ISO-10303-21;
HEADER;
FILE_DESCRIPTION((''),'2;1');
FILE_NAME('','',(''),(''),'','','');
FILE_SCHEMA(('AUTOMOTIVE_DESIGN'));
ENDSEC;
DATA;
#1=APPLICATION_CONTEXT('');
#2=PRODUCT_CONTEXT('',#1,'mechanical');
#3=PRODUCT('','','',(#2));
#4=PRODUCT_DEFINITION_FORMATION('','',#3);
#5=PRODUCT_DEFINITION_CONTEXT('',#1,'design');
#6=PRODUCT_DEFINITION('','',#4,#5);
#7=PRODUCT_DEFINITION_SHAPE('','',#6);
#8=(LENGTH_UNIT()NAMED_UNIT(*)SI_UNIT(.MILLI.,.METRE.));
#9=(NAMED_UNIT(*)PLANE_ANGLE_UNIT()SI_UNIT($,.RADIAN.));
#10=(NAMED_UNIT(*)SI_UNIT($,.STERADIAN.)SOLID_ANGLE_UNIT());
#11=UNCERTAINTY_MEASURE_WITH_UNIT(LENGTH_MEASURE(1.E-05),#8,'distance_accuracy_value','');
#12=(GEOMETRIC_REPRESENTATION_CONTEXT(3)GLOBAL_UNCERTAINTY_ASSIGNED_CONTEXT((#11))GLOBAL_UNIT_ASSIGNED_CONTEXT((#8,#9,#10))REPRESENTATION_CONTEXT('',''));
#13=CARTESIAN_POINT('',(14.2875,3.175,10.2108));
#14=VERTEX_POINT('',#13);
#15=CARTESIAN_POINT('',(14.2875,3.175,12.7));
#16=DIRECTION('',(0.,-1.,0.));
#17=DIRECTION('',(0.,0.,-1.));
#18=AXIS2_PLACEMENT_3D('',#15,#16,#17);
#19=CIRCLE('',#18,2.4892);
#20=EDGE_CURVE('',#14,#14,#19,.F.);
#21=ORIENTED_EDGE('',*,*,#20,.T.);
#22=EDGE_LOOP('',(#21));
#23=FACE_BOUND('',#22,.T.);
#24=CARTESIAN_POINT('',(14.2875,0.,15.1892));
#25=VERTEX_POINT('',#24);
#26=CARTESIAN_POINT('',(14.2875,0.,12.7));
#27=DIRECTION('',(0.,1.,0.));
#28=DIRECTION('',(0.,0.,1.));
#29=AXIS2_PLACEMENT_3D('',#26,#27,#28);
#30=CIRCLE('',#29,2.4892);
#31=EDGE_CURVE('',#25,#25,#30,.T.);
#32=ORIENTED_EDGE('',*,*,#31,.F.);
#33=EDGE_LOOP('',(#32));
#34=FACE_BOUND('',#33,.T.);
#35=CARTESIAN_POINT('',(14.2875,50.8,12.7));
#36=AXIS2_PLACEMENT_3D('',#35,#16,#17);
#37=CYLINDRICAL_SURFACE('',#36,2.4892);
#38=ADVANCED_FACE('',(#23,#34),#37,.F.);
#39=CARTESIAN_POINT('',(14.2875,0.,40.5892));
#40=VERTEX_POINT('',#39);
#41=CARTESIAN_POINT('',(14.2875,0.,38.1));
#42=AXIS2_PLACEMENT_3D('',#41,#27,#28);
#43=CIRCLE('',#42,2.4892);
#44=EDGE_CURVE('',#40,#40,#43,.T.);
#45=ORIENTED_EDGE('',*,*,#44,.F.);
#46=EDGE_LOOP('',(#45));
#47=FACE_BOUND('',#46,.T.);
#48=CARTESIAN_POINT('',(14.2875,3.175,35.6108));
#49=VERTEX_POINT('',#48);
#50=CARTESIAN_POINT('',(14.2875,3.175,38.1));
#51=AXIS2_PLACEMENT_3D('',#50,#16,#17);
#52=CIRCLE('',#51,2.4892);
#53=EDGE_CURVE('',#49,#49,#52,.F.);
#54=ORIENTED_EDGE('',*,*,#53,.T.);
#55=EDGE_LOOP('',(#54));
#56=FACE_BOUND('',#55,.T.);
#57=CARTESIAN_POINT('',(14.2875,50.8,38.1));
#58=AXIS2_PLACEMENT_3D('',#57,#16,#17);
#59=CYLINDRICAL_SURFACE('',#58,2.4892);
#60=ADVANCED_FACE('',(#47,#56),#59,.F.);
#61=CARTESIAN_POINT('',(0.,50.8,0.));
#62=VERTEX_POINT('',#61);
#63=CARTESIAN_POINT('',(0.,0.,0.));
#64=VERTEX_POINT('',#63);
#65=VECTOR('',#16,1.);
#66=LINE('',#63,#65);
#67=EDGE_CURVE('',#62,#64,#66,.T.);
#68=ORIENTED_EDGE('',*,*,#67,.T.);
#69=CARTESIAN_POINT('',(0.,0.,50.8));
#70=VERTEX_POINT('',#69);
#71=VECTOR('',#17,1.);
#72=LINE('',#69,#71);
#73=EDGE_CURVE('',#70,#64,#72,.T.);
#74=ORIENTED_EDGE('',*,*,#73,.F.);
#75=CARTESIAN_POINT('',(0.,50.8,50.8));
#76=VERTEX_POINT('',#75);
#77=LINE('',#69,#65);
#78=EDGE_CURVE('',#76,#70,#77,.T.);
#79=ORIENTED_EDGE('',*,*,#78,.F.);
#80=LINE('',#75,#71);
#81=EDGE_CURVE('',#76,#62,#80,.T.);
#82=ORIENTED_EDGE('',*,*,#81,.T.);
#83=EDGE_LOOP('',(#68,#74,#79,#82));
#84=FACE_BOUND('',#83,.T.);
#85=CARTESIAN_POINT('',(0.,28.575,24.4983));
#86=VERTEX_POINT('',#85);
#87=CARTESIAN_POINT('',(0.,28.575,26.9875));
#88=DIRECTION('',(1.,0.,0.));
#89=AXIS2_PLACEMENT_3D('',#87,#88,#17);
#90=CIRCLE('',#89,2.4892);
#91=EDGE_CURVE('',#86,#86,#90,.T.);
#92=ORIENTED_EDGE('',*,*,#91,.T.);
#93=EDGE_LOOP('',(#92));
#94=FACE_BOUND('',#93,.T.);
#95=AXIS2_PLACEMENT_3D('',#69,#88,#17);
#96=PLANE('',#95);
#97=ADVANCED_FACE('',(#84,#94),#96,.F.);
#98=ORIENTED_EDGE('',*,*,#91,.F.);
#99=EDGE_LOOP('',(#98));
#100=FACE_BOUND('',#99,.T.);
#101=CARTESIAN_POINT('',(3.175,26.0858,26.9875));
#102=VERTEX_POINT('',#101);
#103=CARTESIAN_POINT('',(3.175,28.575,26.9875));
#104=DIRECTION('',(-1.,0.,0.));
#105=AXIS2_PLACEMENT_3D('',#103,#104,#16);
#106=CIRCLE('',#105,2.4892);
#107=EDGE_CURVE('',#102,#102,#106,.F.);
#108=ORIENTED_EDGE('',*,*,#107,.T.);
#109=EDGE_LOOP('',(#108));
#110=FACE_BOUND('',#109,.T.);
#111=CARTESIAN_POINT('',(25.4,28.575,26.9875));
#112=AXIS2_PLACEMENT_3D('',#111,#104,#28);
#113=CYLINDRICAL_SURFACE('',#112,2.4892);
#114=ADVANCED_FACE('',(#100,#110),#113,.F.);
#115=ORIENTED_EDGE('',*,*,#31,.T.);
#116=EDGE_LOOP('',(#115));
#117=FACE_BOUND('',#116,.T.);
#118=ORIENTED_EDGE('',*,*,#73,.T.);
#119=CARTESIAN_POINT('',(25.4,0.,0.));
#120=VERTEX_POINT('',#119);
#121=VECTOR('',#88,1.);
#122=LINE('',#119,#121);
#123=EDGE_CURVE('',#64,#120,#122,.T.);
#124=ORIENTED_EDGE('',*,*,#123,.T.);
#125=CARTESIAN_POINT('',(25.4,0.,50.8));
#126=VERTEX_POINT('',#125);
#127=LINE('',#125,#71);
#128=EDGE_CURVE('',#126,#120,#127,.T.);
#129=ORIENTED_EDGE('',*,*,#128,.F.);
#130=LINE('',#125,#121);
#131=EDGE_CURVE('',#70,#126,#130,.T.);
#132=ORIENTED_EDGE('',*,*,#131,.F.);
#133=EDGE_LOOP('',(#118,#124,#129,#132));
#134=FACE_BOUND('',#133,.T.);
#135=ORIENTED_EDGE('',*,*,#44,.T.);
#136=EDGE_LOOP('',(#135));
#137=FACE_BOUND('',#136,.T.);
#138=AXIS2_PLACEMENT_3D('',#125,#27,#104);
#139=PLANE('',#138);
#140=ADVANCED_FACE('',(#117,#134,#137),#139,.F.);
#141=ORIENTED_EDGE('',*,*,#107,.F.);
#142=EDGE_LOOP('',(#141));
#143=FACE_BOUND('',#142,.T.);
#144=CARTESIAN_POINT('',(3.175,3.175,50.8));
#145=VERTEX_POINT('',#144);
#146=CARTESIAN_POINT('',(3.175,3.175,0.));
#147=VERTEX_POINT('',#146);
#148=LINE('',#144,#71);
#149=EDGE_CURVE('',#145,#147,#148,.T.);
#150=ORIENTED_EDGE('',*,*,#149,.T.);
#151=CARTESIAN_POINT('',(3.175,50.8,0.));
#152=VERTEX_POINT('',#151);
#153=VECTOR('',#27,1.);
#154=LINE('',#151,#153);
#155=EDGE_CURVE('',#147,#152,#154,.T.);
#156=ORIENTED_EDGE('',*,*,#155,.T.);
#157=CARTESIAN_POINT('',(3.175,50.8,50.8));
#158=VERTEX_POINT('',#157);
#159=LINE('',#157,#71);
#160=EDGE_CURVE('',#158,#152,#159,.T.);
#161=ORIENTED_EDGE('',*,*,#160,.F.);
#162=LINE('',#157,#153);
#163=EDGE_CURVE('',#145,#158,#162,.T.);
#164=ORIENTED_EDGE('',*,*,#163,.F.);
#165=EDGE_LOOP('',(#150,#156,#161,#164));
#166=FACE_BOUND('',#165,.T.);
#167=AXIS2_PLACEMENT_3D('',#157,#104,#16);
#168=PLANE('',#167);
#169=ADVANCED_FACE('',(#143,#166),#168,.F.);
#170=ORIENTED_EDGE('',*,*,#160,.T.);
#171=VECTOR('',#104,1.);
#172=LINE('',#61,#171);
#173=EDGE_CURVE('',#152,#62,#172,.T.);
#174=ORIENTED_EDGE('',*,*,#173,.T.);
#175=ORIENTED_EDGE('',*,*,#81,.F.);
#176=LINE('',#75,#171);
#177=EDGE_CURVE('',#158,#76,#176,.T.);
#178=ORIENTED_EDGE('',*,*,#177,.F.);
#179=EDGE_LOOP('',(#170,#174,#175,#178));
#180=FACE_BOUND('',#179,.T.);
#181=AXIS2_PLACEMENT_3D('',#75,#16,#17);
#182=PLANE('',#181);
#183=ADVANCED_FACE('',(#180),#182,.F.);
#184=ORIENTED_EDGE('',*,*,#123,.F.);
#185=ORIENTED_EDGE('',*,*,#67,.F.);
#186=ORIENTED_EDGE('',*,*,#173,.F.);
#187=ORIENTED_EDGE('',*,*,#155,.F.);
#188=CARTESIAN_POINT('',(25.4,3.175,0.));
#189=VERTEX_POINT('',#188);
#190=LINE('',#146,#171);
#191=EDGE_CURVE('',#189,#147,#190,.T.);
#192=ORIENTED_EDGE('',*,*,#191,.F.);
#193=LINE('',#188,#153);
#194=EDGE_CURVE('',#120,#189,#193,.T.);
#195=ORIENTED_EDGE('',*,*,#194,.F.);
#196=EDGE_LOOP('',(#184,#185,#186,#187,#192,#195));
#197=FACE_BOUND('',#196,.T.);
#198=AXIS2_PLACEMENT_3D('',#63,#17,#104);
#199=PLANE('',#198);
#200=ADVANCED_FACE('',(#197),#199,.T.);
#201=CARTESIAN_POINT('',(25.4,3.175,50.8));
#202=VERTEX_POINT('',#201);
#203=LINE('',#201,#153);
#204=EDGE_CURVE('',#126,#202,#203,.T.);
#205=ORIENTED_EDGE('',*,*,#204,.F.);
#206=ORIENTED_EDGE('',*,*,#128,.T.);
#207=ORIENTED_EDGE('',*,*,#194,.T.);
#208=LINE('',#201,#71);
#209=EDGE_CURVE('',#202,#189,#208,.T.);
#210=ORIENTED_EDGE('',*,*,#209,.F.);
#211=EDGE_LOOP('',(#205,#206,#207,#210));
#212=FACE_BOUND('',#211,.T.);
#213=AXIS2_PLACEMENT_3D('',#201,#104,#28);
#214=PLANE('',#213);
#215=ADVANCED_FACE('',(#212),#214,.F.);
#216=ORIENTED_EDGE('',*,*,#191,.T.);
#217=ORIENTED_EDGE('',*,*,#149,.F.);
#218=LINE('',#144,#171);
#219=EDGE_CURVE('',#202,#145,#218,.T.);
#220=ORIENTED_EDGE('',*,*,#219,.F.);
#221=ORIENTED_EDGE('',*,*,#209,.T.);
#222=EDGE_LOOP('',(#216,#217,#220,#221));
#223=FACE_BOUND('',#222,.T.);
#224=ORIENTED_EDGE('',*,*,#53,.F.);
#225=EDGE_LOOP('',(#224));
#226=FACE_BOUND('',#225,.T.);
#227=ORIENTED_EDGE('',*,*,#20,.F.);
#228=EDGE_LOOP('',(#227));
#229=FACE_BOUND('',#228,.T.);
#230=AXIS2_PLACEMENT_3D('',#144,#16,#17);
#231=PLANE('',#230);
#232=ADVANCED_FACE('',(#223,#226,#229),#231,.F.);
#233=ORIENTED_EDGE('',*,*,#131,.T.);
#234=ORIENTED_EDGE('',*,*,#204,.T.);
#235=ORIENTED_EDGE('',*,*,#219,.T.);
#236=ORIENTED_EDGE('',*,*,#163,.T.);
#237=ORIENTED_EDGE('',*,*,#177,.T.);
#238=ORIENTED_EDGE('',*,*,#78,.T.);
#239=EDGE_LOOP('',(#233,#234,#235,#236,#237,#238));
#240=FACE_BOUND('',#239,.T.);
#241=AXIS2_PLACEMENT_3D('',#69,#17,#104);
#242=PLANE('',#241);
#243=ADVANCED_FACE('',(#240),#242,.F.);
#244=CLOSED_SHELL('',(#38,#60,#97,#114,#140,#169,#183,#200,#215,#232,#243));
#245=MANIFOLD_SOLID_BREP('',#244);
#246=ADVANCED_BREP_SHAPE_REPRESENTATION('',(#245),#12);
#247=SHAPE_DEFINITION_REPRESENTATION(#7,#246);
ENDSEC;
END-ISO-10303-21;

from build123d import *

# Parameters (mm, degrees)
BOSS_EXTRUDE1_DEPTH = 50.8
SKETCH2_R           = 2.4892
CUT_EXTRUDE1_DEPTH  = 77.2
SKETCH3_R           = 2.4892
CUT_EXTRUDE2_DEPTH  = 77.2


with BuildPart() as part:
    # Sketch1 → Boss-Extrude1 (new body)
    with BuildSketch(Plane.XY):
        Polygon((0, 0), (0, 50.8), (3.175, 50.8), (3.175, 3.175), (25.4, 3.175), (25.4, 0), align=None)
    extrude(amount=BOSS_EXTRUDE1_DEPTH)

    # Sketch2 → Cut-Extrude1 (cut, through all)
    with BuildSketch(Plane(origin=(0, 0, 0), x_dir=(0, 0, -1), z_dir=(1, 0, 0))):
        with Locations(Location((-26.9875, 28.575, 0), (0, 0, 270))):
            Circle(SKETCH2_R)
    extrude(amount=CUT_EXTRUDE1_DEPTH, mode=Mode.SUBTRACT)

    # Sketch3 → Cut-Extrude2 (cut, through all)
    with BuildSketch(Plane(origin=(0, 0, 0), x_dir=(1, 0, 0), z_dir=(0, 1, 0))):
        with Locations(Location((14.2875, -38.1, 0), (0, 0, 90))):
            Circle(SKETCH3_R)
        with Locations(Location((14.2875, -12.7, 0), (0, 0, 90))):
            Circle(SKETCH3_R)
    extrude(amount=CUT_EXTRUDE2_DEPTH, mode=Mode.SUBTRACT)


solid = part.part
